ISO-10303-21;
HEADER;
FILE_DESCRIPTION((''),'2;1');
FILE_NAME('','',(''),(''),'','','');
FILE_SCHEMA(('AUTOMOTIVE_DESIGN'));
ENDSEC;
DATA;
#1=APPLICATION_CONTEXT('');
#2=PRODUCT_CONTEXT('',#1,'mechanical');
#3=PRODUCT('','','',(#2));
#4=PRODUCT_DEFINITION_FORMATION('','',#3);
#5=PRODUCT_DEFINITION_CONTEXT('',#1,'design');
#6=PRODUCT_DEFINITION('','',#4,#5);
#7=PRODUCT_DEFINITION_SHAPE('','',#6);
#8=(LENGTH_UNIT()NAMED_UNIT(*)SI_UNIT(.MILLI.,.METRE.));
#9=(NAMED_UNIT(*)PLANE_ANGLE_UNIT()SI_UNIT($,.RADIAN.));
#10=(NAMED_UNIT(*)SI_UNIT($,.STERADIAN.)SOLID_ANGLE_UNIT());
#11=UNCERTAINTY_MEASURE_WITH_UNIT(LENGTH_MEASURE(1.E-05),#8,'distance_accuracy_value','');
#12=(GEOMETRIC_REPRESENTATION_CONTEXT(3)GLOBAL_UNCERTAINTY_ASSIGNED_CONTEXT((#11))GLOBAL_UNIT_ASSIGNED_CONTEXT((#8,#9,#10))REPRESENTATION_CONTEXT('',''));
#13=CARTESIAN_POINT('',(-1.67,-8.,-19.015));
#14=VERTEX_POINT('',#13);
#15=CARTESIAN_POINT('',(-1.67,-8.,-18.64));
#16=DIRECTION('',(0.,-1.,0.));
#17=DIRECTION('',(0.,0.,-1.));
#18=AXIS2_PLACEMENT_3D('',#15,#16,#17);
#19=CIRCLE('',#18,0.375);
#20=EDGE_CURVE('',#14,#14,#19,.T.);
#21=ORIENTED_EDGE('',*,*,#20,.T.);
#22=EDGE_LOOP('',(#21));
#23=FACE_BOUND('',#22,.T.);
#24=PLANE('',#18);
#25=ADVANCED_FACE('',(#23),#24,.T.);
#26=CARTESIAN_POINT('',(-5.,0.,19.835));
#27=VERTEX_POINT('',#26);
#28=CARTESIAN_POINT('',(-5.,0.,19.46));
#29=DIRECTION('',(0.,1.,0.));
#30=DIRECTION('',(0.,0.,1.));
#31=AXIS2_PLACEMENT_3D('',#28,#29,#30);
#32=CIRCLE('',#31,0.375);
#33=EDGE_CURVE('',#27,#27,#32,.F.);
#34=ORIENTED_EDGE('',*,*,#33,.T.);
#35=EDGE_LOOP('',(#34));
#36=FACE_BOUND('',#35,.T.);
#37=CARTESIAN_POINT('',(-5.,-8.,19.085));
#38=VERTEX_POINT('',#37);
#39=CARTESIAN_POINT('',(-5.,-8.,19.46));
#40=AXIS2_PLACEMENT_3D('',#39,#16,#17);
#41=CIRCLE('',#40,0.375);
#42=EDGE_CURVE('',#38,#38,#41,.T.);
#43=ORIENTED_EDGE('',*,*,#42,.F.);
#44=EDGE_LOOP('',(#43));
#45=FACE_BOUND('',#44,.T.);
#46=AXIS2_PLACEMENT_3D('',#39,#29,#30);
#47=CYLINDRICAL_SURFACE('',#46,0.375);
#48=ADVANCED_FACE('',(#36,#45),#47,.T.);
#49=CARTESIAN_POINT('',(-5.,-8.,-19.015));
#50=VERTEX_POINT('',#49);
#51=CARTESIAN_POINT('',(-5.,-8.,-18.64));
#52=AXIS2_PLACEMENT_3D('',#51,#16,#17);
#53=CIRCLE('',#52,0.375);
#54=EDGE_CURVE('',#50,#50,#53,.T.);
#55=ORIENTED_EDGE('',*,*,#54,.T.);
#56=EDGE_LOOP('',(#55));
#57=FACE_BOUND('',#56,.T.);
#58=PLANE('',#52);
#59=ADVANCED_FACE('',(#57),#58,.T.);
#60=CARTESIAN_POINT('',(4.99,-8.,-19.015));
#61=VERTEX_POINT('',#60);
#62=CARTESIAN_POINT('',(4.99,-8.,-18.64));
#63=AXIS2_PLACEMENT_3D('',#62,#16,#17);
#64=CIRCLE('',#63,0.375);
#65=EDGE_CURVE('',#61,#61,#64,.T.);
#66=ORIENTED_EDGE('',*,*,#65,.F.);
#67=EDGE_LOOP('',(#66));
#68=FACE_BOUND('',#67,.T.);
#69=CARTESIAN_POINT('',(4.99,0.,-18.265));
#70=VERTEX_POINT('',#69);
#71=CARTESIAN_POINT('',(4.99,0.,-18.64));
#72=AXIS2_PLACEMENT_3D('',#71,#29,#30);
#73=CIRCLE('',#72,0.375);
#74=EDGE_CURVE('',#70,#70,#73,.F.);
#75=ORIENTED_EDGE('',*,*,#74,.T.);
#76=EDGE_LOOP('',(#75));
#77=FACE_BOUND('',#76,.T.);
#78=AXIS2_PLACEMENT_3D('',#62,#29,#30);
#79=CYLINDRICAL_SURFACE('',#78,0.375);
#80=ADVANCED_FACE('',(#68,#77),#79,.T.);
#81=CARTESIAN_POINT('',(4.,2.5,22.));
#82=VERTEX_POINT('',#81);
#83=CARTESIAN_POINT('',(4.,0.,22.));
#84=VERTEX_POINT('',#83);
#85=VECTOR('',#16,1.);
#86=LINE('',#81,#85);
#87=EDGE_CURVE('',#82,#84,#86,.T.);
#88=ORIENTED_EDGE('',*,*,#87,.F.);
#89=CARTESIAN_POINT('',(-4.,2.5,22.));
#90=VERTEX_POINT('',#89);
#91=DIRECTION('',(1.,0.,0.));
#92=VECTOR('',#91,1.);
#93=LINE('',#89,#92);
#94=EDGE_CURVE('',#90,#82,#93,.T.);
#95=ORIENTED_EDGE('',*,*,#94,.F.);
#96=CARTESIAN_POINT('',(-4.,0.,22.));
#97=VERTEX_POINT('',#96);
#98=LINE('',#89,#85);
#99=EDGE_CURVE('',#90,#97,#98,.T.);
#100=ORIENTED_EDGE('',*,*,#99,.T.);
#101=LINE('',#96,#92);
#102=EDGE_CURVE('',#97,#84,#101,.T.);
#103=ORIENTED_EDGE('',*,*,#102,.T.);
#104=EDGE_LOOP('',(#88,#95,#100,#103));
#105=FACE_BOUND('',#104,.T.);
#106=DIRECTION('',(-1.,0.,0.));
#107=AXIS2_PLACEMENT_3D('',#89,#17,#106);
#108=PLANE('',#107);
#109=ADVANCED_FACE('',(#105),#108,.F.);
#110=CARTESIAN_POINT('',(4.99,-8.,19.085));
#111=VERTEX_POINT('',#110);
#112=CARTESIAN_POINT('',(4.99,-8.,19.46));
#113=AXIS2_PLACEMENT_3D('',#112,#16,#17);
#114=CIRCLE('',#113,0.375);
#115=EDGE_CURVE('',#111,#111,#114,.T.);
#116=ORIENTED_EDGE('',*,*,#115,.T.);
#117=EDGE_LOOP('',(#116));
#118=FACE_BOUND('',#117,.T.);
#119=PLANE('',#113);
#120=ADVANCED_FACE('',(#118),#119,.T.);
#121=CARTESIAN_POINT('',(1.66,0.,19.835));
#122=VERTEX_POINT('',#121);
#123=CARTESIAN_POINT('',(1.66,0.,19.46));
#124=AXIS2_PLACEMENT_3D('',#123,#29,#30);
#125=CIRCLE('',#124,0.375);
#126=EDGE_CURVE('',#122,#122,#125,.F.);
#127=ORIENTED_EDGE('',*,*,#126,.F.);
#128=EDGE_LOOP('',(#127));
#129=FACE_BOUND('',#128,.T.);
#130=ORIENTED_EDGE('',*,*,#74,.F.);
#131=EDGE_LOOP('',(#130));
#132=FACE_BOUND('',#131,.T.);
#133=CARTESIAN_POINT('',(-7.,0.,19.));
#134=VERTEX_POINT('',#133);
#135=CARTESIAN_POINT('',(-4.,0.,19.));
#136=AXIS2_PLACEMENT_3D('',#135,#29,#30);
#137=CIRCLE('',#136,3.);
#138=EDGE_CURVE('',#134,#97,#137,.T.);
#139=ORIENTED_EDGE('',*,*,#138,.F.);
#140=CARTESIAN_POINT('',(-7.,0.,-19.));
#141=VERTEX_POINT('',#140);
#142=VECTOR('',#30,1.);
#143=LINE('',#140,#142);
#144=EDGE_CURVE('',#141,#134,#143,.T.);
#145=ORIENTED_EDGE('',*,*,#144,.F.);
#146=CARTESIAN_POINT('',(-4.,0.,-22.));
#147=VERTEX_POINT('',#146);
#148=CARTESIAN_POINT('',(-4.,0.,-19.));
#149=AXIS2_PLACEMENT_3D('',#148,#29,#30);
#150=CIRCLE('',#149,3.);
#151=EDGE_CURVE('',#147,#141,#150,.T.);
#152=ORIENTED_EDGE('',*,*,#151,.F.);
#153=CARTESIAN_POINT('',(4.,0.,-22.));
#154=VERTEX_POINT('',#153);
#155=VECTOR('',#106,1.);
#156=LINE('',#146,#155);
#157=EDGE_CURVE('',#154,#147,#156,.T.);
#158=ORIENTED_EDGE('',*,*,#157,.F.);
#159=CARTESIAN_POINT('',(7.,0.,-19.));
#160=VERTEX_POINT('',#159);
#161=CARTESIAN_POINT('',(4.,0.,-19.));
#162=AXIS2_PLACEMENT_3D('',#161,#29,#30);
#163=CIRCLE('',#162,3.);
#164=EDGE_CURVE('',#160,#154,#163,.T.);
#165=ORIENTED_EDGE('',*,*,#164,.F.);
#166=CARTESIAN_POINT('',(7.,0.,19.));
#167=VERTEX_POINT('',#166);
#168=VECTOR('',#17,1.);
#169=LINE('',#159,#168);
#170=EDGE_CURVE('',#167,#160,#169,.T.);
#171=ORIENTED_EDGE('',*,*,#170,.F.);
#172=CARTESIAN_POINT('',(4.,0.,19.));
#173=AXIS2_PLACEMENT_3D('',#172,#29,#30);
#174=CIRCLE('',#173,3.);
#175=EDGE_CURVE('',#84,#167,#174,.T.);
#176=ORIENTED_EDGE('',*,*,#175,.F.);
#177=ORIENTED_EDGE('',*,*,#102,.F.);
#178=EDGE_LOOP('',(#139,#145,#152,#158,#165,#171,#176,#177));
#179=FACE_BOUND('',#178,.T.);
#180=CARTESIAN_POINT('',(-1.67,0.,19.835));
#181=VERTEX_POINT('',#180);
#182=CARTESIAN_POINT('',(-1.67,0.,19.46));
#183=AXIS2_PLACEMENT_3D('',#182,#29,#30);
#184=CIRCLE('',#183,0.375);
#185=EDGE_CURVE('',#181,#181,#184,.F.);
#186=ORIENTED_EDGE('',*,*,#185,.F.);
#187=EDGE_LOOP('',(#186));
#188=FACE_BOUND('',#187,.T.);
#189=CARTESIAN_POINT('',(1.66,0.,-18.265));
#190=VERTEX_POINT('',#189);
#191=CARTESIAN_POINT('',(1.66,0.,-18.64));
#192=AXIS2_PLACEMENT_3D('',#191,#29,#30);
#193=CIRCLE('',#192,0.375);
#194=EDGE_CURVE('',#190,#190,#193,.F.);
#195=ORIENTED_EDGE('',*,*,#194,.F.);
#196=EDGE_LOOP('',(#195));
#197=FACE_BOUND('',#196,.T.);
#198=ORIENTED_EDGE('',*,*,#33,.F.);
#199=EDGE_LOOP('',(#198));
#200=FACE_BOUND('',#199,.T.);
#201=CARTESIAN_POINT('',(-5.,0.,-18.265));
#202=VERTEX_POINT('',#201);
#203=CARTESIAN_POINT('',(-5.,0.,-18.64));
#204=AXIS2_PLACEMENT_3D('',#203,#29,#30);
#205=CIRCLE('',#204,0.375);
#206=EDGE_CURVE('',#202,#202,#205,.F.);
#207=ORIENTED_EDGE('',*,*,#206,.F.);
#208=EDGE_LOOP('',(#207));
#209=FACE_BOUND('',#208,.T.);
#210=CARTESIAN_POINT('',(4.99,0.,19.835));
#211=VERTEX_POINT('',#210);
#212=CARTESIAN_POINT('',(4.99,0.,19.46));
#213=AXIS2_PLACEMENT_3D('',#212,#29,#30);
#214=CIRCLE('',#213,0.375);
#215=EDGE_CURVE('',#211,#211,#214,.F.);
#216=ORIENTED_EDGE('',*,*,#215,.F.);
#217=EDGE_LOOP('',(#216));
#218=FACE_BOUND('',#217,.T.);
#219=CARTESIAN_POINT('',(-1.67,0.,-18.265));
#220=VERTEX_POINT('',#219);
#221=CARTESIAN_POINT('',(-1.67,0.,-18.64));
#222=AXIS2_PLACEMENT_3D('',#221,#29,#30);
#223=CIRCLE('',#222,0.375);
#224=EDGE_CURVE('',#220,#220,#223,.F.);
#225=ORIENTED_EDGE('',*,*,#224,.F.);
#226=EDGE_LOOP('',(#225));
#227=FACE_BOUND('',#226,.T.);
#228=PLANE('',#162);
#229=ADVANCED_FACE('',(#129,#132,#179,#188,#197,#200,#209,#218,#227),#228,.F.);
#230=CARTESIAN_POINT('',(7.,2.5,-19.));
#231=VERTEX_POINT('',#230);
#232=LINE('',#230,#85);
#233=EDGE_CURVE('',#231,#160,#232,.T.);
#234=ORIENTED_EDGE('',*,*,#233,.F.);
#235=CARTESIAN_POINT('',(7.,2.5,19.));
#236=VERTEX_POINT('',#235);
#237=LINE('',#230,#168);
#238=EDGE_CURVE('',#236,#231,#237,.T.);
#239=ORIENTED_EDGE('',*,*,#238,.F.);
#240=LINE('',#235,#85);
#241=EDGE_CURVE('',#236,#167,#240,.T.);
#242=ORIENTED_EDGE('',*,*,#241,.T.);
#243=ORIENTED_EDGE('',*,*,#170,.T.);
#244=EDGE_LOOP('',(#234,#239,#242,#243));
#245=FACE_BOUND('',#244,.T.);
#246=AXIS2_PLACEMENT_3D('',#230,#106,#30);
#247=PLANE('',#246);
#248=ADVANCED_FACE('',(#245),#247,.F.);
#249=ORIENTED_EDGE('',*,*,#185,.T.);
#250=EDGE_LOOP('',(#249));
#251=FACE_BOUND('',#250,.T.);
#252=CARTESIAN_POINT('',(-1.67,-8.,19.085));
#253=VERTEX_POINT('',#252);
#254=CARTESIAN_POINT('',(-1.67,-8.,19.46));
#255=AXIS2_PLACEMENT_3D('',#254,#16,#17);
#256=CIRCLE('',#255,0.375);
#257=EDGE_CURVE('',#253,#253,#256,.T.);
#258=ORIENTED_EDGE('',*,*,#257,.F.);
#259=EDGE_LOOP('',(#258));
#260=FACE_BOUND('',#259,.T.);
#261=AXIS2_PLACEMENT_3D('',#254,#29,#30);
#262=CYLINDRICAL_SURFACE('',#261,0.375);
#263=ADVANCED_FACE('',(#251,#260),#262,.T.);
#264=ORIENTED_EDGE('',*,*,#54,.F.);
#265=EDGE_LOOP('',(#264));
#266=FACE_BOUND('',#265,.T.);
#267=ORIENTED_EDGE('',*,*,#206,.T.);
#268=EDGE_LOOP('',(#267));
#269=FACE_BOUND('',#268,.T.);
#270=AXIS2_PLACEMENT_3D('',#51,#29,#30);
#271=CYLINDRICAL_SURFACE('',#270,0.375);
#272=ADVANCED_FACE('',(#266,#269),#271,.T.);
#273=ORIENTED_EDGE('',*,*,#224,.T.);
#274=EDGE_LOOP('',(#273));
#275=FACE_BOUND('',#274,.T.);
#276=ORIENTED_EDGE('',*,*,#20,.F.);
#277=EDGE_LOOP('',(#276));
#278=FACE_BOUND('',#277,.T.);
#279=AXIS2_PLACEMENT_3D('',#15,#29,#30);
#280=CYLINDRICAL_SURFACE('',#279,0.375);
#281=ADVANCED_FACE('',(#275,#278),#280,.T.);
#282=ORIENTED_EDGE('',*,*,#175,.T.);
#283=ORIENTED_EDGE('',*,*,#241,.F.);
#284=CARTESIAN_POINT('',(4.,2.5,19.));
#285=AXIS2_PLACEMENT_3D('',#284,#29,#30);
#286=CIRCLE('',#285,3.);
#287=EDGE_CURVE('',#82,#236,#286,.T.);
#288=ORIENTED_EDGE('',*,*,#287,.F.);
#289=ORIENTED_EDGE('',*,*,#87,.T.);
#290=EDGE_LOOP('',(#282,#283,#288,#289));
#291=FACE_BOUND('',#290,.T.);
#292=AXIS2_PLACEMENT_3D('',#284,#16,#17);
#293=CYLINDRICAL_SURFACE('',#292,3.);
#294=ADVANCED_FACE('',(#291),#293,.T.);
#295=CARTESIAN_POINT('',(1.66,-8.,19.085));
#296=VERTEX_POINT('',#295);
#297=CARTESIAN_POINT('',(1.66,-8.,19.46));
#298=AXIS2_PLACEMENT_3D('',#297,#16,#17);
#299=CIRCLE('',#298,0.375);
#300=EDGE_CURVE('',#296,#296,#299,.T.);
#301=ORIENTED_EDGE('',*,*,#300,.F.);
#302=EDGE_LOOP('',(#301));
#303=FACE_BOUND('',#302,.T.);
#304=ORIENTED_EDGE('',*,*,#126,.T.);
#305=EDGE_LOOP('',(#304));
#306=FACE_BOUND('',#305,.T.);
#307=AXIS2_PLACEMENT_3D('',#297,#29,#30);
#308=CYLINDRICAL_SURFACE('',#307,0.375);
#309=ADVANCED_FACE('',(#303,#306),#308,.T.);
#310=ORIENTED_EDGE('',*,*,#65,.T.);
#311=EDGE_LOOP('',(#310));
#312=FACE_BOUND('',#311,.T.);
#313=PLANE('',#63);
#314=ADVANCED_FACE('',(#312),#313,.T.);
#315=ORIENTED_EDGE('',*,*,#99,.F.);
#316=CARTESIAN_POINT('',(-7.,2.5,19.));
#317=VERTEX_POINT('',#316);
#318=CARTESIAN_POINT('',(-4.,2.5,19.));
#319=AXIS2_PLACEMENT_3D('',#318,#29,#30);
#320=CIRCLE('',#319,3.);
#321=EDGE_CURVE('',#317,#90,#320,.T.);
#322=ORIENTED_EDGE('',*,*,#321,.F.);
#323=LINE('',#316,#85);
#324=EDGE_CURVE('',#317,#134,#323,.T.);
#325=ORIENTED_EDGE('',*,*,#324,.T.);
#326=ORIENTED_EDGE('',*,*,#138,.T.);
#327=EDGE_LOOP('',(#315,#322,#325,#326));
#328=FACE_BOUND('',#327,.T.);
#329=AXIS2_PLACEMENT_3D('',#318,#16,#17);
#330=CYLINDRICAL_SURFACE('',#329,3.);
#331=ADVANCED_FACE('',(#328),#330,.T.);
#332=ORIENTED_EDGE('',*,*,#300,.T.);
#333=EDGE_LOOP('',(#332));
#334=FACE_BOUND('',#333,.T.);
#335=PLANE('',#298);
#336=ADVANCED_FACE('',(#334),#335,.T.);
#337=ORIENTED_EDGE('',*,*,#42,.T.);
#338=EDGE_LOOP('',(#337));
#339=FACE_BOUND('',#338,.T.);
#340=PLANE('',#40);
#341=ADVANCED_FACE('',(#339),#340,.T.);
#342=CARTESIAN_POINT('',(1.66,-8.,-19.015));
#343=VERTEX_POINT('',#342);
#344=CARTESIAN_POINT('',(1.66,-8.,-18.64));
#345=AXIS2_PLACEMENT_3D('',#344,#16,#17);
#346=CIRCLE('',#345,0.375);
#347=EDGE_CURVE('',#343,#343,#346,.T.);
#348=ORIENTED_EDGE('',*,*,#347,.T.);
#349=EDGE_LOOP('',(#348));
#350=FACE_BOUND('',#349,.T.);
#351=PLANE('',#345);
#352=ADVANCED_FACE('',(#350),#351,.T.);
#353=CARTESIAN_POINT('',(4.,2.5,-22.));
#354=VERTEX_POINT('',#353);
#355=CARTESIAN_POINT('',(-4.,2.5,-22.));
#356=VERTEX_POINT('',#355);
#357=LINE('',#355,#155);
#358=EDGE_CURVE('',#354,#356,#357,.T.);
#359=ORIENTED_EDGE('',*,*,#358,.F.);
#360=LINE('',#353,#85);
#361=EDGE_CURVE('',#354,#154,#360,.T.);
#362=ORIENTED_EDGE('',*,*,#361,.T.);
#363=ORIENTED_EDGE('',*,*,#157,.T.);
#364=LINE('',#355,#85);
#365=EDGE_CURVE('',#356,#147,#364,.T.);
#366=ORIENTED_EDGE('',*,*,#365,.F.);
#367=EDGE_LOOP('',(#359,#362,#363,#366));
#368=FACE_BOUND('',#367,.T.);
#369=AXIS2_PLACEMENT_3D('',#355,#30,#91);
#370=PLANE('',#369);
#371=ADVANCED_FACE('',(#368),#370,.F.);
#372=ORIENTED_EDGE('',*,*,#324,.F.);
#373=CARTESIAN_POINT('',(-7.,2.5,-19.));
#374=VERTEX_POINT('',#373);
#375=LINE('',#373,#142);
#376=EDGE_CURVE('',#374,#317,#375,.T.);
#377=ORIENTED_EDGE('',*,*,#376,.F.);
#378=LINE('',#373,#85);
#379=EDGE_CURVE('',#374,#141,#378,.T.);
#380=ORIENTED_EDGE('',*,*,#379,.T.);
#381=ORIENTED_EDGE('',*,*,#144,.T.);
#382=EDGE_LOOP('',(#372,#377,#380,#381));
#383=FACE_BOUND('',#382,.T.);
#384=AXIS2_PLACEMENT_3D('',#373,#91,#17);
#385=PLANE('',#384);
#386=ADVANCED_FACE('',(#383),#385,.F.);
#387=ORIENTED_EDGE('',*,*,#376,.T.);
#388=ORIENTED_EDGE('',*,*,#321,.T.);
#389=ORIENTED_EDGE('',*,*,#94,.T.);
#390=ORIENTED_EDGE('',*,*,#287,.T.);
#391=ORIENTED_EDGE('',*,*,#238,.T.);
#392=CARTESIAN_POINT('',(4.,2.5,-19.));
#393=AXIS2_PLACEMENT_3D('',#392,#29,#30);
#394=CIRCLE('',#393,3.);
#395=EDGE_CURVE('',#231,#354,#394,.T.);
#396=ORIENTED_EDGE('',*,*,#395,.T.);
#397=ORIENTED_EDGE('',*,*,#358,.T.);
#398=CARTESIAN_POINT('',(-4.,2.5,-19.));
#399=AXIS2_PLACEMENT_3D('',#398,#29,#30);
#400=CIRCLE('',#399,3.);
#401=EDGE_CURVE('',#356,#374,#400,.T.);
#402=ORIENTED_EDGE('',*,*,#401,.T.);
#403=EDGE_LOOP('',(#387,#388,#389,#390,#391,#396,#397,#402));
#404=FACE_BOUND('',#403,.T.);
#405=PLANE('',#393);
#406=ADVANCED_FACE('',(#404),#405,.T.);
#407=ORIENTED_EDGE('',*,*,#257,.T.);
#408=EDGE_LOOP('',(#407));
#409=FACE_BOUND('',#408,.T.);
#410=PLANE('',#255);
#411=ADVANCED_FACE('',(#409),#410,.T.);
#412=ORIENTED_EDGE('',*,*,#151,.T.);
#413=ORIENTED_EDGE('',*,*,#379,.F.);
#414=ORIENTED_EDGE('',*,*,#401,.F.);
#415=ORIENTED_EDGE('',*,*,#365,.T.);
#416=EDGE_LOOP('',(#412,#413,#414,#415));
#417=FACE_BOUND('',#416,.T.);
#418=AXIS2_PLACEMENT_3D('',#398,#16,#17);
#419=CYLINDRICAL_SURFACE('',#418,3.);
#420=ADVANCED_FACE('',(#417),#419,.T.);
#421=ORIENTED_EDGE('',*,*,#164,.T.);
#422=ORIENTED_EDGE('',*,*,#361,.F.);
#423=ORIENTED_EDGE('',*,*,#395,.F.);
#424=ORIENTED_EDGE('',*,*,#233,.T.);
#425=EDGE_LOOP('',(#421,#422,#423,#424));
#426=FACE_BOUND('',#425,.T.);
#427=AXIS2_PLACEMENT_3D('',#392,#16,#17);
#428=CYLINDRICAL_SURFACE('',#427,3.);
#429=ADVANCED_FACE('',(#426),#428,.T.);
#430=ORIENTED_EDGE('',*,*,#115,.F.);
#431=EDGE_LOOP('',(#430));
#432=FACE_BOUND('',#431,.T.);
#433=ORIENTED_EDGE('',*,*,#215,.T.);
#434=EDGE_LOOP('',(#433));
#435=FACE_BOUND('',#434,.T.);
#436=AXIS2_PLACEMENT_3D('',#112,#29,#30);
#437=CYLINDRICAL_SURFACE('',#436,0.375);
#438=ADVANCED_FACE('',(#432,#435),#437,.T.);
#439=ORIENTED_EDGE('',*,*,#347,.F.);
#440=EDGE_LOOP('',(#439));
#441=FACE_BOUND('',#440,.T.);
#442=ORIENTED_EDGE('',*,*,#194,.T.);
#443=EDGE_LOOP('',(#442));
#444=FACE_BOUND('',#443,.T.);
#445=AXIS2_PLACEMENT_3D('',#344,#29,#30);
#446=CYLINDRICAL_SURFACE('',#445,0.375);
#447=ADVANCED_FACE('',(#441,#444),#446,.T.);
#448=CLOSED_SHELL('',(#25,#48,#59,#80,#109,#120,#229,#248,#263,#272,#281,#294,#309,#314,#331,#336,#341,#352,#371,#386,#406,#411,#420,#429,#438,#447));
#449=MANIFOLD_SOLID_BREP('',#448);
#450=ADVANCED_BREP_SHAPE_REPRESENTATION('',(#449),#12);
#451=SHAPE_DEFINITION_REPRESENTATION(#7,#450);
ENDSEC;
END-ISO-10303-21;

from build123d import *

# Parameters (mm, degrees)
BOSS_EXTRUDE1_DEPTH = 2.5
SKETCH4_R           = 0.375
BOSS_EXTRUDE3_DEPTH = 8
LPATTERN1_COUNT     = 2
LPATTERN1_PITCH     = 38.1


with BuildPart() as part:
    # Sketch2 → Boss-Extrude1 (new body)
    with BuildSketch(Plane(origin=(0, 0, 0), x_dir=(1, 0, 0), z_dir=(0, 1, 0))):
        with BuildLine():
            Line((-4, 22), (4, 22))
            ThreePointArc((4, 22), (6.121320344, 21.121320344), (7, 19))
            Line((7, 19), (7, -19))
            ThreePointArc((7, -19), (6.121320344, -21.121320344), (4, -22))
            Line((4, -22), (-4, -22))
            ThreePointArc((-4, -22), (-6.121320344, -21.121320344), (-7, -19))
            Line((-7, -19), (-7, 19))
            ThreePointArc((-7, 19), (-6.121320344, 21.121320344), (-4, 22))
        make_face()
    extrude(amount=BOSS_EXTRUDE1_DEPTH)

    # Sketch4 → Boss-Extrude3 (add)
    with BuildSketch(Plane.XZ):
        with Locations(Location((-5, 19.46, 0), (0, 0, 90))):
            Circle(SKETCH4_R)
        with Locations(Location((-1.67, 19.46, 0), (0, 0, 90))):
            Circle(SKETCH4_R)
        with Locations(Location((1.66, 19.46, 0), (0, 0, 90))):
            Circle(SKETCH4_R)
        with Locations(Location((4.99, 19.46, 0), (0, 0, 90))):
            Circle(SKETCH4_R)
    boss_extrude3 = extrude(amount=BOSS_EXTRUDE3_DEPTH)

    # LPattern1: Boss-Extrude3 ×2
    with Locations(*[(0, 0, -i * LPATTERN1_PITCH) for i in range(1, LPATTERN1_COUNT)]):
        add(boss_extrude3)


solid = part.part
